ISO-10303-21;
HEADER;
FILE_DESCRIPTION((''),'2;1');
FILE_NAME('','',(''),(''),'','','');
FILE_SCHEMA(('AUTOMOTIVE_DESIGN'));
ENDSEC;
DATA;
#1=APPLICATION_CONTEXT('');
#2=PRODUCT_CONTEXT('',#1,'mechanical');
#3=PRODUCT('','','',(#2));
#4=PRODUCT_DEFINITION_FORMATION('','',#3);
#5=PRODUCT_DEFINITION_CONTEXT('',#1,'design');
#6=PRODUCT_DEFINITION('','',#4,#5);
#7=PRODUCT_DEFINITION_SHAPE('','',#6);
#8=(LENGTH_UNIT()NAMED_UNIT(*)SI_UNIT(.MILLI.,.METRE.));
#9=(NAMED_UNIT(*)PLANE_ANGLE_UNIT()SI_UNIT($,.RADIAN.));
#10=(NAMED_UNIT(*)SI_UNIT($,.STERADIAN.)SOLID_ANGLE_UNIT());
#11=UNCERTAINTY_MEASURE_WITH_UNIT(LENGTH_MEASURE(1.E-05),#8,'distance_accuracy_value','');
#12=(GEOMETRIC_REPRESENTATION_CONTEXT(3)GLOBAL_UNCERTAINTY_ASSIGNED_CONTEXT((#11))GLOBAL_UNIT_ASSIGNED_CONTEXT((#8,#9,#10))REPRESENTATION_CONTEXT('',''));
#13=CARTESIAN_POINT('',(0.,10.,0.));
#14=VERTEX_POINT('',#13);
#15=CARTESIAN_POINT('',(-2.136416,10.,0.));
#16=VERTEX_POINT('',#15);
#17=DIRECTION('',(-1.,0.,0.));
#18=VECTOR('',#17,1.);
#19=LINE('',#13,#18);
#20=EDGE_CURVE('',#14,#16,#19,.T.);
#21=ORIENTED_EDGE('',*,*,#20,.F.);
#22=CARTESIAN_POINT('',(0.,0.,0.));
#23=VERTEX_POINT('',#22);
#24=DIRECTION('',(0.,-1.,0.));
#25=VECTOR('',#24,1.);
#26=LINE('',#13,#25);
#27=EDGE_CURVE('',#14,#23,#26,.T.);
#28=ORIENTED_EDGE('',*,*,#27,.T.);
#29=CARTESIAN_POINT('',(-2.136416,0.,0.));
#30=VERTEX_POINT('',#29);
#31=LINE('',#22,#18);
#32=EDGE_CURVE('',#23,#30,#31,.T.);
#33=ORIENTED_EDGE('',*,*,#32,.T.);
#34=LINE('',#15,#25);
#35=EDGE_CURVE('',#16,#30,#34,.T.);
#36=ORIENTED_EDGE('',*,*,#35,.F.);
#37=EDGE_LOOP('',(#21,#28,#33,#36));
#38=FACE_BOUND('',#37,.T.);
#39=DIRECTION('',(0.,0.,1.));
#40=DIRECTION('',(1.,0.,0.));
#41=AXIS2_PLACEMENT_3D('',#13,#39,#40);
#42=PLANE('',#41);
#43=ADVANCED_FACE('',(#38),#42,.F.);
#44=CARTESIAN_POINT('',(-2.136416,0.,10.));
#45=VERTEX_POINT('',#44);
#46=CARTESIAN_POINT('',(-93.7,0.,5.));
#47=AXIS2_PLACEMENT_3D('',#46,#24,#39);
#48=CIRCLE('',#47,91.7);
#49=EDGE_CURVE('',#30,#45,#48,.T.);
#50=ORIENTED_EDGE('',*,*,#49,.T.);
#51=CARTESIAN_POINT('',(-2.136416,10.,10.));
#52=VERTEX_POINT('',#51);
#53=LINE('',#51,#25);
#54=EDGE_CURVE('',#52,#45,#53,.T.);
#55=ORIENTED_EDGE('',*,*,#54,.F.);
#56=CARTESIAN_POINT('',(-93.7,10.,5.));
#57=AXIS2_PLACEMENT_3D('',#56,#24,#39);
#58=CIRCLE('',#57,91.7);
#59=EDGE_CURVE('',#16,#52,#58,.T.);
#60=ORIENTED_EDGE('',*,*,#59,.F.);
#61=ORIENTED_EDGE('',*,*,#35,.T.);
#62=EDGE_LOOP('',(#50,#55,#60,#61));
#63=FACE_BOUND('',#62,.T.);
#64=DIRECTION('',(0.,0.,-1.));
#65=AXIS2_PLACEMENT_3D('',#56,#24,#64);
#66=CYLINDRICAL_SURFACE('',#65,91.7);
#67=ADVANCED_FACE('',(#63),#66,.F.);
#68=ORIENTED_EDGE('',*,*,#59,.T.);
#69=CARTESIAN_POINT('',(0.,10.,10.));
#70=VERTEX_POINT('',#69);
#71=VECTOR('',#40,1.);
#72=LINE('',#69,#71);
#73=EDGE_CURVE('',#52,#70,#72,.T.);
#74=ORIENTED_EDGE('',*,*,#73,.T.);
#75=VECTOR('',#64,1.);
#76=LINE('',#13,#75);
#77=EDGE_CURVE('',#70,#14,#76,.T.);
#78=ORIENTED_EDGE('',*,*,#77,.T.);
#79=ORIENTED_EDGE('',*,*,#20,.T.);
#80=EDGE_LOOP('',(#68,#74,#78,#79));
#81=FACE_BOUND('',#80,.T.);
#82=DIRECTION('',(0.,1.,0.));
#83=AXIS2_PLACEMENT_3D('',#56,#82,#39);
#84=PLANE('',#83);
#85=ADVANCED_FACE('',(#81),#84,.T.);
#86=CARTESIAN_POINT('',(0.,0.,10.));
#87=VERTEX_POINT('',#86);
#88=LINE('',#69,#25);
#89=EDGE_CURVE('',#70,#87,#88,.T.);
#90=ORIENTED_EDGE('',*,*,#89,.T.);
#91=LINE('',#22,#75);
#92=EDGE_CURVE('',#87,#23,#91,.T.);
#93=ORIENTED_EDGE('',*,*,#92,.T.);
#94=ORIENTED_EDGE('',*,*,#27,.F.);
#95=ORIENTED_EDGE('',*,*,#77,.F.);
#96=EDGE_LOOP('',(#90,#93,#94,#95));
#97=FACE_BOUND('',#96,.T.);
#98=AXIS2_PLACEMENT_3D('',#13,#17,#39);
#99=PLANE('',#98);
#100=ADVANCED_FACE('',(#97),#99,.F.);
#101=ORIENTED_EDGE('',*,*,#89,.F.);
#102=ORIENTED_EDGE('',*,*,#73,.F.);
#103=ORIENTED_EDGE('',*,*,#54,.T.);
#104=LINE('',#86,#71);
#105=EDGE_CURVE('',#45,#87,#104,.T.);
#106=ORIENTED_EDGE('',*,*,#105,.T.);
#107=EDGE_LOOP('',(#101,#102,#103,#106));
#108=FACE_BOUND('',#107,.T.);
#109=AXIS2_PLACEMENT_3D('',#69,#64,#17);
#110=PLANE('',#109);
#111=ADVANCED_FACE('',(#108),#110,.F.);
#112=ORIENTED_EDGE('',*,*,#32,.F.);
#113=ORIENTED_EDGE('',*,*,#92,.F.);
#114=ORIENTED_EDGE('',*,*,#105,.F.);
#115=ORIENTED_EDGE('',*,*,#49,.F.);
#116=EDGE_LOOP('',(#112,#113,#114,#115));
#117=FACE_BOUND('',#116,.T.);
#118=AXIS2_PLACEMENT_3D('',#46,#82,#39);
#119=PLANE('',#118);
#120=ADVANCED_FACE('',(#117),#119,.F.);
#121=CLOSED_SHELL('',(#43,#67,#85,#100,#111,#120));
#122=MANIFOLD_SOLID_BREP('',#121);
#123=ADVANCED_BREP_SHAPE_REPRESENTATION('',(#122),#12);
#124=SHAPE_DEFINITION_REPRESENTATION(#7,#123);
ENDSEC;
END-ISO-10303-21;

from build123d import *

# Parameters (mm, degrees)
EXTRUDE_1_DEPTH = 10


with BuildPart() as part:
    # 草图1 → 凸台-拉伸1 (new body)
    with BuildSketch(Plane(origin=(0, 0, 0), x_dir=(1, 0, 0), z_dir=(0, 1, 0))):
        with BuildLine():
            Line((0, 0), (0, -10))
            Line((0, -10), (-2.136415535, -10))
            ThreePointArc((-2.136415535, -10), (-2, -5), (-2.136415535, 0))
            Line((-2.136415535, 0), (0, 0))
        make_face()
    extrude(amount=EXTRUDE_1_DEPTH)


solid = part.part
